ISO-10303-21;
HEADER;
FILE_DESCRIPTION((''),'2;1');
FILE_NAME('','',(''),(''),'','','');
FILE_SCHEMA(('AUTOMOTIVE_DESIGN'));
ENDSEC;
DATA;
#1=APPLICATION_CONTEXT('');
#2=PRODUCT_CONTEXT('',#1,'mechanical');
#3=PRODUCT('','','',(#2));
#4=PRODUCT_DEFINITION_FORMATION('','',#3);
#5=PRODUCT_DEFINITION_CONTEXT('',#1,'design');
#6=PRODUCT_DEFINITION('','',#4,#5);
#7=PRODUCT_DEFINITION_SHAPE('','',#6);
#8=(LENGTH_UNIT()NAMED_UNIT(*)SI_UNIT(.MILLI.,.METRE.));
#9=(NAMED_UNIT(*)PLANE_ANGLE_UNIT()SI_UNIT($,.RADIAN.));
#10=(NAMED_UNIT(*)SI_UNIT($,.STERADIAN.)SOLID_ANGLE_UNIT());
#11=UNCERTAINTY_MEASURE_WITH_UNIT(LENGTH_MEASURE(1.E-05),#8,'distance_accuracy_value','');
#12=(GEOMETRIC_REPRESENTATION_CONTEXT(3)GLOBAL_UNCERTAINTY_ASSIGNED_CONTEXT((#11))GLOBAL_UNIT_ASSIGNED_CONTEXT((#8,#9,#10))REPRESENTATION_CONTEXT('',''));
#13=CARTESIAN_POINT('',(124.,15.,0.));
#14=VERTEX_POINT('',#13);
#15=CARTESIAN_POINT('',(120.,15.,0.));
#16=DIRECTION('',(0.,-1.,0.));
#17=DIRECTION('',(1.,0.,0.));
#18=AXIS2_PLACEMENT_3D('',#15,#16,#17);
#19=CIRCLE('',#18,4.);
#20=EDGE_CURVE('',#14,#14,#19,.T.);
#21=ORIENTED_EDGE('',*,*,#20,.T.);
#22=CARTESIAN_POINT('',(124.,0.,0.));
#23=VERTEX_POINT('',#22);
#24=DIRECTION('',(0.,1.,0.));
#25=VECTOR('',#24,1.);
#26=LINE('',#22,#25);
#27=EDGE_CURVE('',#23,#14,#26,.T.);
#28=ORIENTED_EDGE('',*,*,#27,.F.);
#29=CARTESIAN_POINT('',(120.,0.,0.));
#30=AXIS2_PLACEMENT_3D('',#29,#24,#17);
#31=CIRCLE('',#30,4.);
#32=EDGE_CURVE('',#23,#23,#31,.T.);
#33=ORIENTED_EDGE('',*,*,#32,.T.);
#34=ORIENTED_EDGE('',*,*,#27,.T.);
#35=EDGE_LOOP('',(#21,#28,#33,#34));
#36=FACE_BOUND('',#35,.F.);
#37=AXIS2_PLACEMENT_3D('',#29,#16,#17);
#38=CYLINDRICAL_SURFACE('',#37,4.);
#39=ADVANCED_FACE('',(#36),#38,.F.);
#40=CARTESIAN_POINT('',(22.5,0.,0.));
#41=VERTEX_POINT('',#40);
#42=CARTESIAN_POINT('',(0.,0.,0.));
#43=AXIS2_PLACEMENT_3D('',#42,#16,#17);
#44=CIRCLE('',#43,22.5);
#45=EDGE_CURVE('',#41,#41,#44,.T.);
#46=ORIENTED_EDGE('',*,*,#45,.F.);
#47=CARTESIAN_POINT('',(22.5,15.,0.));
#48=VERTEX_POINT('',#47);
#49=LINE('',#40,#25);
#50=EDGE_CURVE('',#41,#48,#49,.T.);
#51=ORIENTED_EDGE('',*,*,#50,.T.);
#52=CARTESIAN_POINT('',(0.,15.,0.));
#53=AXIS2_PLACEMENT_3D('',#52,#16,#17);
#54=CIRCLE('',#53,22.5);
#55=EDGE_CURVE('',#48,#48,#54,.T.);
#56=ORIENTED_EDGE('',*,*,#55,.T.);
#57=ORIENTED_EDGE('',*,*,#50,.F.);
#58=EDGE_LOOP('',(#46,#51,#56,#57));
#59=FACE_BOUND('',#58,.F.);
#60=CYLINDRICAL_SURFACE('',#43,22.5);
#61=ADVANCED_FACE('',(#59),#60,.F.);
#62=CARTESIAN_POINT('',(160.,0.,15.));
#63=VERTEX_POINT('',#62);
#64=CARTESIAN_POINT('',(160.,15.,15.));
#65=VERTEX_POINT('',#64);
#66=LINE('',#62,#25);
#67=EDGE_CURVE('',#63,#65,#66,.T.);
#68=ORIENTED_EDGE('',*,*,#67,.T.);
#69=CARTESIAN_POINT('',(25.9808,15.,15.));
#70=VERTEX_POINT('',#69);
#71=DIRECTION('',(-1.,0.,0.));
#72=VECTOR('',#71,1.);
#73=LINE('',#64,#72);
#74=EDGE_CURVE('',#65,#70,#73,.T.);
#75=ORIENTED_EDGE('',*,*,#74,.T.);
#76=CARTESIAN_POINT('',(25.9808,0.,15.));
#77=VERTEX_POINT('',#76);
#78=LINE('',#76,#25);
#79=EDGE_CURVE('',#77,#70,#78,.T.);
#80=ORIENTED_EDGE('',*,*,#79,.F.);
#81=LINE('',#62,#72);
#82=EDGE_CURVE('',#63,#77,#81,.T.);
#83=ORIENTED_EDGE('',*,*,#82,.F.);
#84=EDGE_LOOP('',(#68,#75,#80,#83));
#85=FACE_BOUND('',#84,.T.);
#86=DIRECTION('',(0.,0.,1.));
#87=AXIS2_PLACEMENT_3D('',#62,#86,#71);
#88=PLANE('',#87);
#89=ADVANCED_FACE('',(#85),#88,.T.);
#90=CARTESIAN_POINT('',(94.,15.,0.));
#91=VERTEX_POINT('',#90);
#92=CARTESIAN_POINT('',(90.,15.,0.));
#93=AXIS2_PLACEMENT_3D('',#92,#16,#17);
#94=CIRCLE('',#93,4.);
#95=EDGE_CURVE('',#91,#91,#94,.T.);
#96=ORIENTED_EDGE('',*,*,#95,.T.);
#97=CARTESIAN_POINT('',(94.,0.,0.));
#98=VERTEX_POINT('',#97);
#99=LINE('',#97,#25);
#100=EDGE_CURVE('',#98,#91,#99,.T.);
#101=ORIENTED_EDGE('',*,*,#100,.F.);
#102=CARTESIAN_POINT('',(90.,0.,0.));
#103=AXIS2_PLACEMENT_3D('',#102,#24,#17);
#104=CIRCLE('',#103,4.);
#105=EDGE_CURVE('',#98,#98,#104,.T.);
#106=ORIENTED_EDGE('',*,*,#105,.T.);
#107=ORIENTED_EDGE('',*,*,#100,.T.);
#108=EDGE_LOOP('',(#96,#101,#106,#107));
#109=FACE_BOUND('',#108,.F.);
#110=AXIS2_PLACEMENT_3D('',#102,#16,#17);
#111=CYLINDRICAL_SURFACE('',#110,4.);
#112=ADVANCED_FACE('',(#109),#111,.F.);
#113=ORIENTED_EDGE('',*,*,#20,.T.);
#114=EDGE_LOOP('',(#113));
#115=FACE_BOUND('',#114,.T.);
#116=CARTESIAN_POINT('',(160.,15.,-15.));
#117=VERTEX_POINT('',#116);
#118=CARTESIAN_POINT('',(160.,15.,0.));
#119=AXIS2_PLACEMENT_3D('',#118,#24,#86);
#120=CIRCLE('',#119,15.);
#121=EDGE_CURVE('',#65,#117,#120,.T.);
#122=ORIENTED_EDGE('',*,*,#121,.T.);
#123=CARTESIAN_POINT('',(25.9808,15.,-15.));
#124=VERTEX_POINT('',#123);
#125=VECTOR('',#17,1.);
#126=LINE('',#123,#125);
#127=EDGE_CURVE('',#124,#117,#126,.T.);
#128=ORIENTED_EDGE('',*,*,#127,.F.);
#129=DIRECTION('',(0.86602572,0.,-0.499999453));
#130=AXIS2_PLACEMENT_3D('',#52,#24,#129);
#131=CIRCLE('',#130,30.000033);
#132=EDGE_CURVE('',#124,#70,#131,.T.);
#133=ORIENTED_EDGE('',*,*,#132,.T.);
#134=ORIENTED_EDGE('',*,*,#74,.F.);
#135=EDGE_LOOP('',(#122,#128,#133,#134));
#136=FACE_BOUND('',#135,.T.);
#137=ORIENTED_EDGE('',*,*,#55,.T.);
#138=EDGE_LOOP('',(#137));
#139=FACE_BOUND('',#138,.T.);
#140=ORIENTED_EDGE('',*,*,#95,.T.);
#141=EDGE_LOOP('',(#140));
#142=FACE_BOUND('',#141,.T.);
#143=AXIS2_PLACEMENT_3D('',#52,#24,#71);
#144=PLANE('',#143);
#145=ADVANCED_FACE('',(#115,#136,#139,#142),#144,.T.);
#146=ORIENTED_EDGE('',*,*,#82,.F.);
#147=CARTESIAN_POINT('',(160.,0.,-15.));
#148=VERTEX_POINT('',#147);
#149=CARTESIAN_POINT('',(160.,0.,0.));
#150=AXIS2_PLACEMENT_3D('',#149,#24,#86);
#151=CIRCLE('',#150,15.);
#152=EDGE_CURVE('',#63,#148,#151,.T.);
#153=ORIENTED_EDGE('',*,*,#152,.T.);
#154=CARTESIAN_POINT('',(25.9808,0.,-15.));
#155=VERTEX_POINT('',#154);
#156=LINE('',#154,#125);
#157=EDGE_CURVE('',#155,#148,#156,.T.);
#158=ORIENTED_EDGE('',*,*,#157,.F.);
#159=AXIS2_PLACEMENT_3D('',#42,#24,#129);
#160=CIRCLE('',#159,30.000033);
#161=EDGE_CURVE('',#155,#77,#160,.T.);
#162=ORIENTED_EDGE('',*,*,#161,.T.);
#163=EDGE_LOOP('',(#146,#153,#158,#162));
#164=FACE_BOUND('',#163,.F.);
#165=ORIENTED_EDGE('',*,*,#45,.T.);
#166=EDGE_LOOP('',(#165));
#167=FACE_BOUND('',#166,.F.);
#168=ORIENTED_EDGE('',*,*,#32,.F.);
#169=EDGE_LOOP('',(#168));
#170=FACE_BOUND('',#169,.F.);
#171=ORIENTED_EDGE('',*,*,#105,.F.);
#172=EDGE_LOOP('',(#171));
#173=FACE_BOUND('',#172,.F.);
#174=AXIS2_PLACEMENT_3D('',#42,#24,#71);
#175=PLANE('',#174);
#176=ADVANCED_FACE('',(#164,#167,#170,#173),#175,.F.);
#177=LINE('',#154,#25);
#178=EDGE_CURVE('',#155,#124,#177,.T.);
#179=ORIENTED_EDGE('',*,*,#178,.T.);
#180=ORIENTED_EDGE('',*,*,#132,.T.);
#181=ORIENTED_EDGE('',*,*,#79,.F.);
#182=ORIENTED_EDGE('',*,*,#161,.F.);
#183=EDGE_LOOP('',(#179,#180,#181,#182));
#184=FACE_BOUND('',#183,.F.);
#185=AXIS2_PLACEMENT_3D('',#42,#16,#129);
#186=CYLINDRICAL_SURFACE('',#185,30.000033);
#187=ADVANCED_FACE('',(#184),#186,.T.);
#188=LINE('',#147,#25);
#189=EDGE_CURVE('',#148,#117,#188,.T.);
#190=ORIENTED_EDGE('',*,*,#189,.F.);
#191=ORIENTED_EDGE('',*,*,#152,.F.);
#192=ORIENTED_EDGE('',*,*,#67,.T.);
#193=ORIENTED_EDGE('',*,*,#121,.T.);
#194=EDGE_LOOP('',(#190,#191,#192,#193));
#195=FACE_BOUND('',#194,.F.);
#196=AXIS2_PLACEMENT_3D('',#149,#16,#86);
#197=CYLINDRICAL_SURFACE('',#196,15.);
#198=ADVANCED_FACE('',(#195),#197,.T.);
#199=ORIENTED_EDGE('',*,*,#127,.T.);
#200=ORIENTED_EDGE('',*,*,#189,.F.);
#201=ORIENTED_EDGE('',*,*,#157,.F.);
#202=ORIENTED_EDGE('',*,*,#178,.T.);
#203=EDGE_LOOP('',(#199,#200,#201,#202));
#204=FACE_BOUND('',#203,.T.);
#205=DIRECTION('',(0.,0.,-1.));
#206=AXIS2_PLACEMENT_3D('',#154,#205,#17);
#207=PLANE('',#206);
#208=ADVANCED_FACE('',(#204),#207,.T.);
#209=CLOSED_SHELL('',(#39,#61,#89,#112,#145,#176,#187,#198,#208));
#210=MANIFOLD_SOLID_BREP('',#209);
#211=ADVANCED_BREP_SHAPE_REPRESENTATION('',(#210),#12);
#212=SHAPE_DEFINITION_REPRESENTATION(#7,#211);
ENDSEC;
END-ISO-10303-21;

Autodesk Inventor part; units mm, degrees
ref_plane "YZ Plane" through (0, 0, 0) normal (1, 0, 0) x (0, 1, 0)
ref_plane "XZ Plane" through (0, 0, 0) normal (0, 1, 0) x (-1, 0, 0)
ref_plane "XY Plane" through (0, 0, 0) normal (0, 0, 1) x (1, 0, 0)
sketch "Sketch1" plane through (0, 0, 0) normal (0, 1, 0) x (-1, 0, 0)
  point P0 (0, 0)
sketch "Sketch2" plane through (0, 0, 0) normal (0, 1, 0) x (-1, 0, 0)
  arc A0 (-25.9808, -15) -> (-25.9808, 15) centre (0, 0) ccw
  line L0 (-160, 15) -> (-25.9808, 15)
  arc A1 (-160, 15) -> (-160, -15) centre (-160, 0) ccw
  line L1 (-25.9808, -15) -> (-160, -15)
  dimension "d1" = 60
  dimension "d4" = 30
extrude "Extrusion1" add sketch "Sketch2" along normal blind 15
sketch "Sketch3" plane through (0, 0, 0) normal (0, -1, 0) x (1, 0, 0)
  circle A0 centre (0, 0) radius 22.5
  circle A1 centre (90, 0) radius 4
  line L0 (0, 0) -> (120, 0)
  circle A2 centre (120, 0) radius 4
  dimension "d7" = 45
  dimension "d17" = 8
  dimension "d18" = 120
  dimension "d19" = 8
extrude "Extrusion2" cut sketch "Sketch3" against normal blind 15
